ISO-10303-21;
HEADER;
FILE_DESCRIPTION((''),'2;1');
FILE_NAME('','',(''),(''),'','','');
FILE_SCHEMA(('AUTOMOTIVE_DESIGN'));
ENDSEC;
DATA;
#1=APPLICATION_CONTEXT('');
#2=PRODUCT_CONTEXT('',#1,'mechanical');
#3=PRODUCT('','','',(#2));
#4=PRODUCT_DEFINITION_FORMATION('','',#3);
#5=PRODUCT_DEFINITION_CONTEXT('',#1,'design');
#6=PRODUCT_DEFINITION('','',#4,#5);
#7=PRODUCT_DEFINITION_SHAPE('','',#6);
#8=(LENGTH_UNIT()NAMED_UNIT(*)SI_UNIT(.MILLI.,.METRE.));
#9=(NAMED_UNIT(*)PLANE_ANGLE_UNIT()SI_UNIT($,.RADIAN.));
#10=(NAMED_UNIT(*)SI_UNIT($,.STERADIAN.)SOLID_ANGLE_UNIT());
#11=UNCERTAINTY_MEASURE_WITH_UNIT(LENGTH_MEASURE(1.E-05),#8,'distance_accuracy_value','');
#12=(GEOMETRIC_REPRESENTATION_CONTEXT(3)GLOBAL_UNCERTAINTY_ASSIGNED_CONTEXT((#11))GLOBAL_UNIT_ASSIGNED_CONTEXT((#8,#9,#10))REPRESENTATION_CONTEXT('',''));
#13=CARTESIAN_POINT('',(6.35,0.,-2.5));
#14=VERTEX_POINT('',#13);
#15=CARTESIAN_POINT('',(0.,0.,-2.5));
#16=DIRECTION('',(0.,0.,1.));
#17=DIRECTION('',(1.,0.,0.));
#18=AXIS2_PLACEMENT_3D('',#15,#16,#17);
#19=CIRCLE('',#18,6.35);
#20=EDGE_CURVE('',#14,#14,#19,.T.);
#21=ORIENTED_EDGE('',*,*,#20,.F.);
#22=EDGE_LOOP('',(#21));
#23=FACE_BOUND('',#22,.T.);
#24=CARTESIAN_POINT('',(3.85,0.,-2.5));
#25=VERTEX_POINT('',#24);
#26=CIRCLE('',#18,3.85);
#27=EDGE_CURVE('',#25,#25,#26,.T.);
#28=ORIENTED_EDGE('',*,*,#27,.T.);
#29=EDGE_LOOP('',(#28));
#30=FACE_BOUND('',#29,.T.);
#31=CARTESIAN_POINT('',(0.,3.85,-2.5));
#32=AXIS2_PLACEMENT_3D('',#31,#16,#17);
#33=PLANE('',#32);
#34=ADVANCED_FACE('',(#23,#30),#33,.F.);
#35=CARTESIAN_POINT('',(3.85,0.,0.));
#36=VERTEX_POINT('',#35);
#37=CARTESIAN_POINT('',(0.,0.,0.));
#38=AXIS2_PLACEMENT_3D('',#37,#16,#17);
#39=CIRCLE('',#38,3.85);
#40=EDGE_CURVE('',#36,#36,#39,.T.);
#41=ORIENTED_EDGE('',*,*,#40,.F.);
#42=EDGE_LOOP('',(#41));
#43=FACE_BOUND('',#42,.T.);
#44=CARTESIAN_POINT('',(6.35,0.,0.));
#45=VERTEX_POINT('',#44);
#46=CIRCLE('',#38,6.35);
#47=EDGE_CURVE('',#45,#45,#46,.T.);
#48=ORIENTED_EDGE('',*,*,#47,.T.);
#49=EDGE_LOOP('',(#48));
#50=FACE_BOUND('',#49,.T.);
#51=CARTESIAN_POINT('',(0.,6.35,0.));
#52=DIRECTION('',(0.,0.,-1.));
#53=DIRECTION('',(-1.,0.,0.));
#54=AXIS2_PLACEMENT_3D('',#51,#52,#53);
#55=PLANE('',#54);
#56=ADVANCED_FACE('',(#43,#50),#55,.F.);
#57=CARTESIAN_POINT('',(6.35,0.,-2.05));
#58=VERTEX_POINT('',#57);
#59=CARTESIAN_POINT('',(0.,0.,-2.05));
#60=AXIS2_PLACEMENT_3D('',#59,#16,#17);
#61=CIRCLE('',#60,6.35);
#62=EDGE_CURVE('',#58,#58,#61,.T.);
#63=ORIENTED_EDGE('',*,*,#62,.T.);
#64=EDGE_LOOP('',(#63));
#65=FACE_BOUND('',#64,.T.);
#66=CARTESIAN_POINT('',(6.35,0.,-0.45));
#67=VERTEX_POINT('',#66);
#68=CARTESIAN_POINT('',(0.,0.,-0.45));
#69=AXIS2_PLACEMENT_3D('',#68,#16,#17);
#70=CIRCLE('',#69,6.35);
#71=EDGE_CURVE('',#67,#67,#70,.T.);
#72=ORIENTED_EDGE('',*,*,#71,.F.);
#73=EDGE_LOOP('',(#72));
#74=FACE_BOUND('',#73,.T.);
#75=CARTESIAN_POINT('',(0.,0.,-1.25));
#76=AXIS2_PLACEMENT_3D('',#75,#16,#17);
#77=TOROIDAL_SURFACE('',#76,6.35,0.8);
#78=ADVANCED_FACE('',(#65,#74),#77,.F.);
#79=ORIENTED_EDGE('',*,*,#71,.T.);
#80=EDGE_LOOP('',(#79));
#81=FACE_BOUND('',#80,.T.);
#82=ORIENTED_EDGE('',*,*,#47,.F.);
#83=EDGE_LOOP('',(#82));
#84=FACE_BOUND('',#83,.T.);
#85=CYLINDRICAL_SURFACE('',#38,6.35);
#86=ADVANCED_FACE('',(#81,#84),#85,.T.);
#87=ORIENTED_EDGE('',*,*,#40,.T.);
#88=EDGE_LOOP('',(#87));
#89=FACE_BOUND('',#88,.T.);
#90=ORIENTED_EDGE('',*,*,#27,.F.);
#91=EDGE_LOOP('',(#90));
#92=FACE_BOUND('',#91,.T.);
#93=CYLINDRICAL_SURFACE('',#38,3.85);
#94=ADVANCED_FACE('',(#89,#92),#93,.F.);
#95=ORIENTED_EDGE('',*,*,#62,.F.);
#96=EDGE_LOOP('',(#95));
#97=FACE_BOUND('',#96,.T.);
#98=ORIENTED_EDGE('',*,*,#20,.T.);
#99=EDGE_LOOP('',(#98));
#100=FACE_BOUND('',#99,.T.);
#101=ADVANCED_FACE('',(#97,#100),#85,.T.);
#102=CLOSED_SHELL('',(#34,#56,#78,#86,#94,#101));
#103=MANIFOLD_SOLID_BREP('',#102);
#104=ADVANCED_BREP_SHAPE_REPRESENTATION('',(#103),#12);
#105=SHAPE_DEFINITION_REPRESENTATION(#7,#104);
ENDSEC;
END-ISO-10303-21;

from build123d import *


with BuildPart() as part:
    # Sketch1 → Revolve1 (revolve)
    with BuildSketch(Plane(origin=(0, 0, 0), x_dir=(0, 0, -1), z_dir=(1, 0, 0))):
        with BuildLine():
            Line((0, 3.85), (2.5, 3.85))
            Line((2.5, 3.85), (2.5, 6.35))
            Line((2.5, 6.35), (2.05, 6.35))
            ThreePointArc((2.05, 6.35), (1.25, 5.55), (0.45, 6.35))
            Line((0.45, 6.35), (0, 6.35))
            Line((0, 6.35), (0, 3.85))
        make_face()
    revolve(axis=Axis((0, 0, 0), (0, 0, -1)))


solid = part.part
